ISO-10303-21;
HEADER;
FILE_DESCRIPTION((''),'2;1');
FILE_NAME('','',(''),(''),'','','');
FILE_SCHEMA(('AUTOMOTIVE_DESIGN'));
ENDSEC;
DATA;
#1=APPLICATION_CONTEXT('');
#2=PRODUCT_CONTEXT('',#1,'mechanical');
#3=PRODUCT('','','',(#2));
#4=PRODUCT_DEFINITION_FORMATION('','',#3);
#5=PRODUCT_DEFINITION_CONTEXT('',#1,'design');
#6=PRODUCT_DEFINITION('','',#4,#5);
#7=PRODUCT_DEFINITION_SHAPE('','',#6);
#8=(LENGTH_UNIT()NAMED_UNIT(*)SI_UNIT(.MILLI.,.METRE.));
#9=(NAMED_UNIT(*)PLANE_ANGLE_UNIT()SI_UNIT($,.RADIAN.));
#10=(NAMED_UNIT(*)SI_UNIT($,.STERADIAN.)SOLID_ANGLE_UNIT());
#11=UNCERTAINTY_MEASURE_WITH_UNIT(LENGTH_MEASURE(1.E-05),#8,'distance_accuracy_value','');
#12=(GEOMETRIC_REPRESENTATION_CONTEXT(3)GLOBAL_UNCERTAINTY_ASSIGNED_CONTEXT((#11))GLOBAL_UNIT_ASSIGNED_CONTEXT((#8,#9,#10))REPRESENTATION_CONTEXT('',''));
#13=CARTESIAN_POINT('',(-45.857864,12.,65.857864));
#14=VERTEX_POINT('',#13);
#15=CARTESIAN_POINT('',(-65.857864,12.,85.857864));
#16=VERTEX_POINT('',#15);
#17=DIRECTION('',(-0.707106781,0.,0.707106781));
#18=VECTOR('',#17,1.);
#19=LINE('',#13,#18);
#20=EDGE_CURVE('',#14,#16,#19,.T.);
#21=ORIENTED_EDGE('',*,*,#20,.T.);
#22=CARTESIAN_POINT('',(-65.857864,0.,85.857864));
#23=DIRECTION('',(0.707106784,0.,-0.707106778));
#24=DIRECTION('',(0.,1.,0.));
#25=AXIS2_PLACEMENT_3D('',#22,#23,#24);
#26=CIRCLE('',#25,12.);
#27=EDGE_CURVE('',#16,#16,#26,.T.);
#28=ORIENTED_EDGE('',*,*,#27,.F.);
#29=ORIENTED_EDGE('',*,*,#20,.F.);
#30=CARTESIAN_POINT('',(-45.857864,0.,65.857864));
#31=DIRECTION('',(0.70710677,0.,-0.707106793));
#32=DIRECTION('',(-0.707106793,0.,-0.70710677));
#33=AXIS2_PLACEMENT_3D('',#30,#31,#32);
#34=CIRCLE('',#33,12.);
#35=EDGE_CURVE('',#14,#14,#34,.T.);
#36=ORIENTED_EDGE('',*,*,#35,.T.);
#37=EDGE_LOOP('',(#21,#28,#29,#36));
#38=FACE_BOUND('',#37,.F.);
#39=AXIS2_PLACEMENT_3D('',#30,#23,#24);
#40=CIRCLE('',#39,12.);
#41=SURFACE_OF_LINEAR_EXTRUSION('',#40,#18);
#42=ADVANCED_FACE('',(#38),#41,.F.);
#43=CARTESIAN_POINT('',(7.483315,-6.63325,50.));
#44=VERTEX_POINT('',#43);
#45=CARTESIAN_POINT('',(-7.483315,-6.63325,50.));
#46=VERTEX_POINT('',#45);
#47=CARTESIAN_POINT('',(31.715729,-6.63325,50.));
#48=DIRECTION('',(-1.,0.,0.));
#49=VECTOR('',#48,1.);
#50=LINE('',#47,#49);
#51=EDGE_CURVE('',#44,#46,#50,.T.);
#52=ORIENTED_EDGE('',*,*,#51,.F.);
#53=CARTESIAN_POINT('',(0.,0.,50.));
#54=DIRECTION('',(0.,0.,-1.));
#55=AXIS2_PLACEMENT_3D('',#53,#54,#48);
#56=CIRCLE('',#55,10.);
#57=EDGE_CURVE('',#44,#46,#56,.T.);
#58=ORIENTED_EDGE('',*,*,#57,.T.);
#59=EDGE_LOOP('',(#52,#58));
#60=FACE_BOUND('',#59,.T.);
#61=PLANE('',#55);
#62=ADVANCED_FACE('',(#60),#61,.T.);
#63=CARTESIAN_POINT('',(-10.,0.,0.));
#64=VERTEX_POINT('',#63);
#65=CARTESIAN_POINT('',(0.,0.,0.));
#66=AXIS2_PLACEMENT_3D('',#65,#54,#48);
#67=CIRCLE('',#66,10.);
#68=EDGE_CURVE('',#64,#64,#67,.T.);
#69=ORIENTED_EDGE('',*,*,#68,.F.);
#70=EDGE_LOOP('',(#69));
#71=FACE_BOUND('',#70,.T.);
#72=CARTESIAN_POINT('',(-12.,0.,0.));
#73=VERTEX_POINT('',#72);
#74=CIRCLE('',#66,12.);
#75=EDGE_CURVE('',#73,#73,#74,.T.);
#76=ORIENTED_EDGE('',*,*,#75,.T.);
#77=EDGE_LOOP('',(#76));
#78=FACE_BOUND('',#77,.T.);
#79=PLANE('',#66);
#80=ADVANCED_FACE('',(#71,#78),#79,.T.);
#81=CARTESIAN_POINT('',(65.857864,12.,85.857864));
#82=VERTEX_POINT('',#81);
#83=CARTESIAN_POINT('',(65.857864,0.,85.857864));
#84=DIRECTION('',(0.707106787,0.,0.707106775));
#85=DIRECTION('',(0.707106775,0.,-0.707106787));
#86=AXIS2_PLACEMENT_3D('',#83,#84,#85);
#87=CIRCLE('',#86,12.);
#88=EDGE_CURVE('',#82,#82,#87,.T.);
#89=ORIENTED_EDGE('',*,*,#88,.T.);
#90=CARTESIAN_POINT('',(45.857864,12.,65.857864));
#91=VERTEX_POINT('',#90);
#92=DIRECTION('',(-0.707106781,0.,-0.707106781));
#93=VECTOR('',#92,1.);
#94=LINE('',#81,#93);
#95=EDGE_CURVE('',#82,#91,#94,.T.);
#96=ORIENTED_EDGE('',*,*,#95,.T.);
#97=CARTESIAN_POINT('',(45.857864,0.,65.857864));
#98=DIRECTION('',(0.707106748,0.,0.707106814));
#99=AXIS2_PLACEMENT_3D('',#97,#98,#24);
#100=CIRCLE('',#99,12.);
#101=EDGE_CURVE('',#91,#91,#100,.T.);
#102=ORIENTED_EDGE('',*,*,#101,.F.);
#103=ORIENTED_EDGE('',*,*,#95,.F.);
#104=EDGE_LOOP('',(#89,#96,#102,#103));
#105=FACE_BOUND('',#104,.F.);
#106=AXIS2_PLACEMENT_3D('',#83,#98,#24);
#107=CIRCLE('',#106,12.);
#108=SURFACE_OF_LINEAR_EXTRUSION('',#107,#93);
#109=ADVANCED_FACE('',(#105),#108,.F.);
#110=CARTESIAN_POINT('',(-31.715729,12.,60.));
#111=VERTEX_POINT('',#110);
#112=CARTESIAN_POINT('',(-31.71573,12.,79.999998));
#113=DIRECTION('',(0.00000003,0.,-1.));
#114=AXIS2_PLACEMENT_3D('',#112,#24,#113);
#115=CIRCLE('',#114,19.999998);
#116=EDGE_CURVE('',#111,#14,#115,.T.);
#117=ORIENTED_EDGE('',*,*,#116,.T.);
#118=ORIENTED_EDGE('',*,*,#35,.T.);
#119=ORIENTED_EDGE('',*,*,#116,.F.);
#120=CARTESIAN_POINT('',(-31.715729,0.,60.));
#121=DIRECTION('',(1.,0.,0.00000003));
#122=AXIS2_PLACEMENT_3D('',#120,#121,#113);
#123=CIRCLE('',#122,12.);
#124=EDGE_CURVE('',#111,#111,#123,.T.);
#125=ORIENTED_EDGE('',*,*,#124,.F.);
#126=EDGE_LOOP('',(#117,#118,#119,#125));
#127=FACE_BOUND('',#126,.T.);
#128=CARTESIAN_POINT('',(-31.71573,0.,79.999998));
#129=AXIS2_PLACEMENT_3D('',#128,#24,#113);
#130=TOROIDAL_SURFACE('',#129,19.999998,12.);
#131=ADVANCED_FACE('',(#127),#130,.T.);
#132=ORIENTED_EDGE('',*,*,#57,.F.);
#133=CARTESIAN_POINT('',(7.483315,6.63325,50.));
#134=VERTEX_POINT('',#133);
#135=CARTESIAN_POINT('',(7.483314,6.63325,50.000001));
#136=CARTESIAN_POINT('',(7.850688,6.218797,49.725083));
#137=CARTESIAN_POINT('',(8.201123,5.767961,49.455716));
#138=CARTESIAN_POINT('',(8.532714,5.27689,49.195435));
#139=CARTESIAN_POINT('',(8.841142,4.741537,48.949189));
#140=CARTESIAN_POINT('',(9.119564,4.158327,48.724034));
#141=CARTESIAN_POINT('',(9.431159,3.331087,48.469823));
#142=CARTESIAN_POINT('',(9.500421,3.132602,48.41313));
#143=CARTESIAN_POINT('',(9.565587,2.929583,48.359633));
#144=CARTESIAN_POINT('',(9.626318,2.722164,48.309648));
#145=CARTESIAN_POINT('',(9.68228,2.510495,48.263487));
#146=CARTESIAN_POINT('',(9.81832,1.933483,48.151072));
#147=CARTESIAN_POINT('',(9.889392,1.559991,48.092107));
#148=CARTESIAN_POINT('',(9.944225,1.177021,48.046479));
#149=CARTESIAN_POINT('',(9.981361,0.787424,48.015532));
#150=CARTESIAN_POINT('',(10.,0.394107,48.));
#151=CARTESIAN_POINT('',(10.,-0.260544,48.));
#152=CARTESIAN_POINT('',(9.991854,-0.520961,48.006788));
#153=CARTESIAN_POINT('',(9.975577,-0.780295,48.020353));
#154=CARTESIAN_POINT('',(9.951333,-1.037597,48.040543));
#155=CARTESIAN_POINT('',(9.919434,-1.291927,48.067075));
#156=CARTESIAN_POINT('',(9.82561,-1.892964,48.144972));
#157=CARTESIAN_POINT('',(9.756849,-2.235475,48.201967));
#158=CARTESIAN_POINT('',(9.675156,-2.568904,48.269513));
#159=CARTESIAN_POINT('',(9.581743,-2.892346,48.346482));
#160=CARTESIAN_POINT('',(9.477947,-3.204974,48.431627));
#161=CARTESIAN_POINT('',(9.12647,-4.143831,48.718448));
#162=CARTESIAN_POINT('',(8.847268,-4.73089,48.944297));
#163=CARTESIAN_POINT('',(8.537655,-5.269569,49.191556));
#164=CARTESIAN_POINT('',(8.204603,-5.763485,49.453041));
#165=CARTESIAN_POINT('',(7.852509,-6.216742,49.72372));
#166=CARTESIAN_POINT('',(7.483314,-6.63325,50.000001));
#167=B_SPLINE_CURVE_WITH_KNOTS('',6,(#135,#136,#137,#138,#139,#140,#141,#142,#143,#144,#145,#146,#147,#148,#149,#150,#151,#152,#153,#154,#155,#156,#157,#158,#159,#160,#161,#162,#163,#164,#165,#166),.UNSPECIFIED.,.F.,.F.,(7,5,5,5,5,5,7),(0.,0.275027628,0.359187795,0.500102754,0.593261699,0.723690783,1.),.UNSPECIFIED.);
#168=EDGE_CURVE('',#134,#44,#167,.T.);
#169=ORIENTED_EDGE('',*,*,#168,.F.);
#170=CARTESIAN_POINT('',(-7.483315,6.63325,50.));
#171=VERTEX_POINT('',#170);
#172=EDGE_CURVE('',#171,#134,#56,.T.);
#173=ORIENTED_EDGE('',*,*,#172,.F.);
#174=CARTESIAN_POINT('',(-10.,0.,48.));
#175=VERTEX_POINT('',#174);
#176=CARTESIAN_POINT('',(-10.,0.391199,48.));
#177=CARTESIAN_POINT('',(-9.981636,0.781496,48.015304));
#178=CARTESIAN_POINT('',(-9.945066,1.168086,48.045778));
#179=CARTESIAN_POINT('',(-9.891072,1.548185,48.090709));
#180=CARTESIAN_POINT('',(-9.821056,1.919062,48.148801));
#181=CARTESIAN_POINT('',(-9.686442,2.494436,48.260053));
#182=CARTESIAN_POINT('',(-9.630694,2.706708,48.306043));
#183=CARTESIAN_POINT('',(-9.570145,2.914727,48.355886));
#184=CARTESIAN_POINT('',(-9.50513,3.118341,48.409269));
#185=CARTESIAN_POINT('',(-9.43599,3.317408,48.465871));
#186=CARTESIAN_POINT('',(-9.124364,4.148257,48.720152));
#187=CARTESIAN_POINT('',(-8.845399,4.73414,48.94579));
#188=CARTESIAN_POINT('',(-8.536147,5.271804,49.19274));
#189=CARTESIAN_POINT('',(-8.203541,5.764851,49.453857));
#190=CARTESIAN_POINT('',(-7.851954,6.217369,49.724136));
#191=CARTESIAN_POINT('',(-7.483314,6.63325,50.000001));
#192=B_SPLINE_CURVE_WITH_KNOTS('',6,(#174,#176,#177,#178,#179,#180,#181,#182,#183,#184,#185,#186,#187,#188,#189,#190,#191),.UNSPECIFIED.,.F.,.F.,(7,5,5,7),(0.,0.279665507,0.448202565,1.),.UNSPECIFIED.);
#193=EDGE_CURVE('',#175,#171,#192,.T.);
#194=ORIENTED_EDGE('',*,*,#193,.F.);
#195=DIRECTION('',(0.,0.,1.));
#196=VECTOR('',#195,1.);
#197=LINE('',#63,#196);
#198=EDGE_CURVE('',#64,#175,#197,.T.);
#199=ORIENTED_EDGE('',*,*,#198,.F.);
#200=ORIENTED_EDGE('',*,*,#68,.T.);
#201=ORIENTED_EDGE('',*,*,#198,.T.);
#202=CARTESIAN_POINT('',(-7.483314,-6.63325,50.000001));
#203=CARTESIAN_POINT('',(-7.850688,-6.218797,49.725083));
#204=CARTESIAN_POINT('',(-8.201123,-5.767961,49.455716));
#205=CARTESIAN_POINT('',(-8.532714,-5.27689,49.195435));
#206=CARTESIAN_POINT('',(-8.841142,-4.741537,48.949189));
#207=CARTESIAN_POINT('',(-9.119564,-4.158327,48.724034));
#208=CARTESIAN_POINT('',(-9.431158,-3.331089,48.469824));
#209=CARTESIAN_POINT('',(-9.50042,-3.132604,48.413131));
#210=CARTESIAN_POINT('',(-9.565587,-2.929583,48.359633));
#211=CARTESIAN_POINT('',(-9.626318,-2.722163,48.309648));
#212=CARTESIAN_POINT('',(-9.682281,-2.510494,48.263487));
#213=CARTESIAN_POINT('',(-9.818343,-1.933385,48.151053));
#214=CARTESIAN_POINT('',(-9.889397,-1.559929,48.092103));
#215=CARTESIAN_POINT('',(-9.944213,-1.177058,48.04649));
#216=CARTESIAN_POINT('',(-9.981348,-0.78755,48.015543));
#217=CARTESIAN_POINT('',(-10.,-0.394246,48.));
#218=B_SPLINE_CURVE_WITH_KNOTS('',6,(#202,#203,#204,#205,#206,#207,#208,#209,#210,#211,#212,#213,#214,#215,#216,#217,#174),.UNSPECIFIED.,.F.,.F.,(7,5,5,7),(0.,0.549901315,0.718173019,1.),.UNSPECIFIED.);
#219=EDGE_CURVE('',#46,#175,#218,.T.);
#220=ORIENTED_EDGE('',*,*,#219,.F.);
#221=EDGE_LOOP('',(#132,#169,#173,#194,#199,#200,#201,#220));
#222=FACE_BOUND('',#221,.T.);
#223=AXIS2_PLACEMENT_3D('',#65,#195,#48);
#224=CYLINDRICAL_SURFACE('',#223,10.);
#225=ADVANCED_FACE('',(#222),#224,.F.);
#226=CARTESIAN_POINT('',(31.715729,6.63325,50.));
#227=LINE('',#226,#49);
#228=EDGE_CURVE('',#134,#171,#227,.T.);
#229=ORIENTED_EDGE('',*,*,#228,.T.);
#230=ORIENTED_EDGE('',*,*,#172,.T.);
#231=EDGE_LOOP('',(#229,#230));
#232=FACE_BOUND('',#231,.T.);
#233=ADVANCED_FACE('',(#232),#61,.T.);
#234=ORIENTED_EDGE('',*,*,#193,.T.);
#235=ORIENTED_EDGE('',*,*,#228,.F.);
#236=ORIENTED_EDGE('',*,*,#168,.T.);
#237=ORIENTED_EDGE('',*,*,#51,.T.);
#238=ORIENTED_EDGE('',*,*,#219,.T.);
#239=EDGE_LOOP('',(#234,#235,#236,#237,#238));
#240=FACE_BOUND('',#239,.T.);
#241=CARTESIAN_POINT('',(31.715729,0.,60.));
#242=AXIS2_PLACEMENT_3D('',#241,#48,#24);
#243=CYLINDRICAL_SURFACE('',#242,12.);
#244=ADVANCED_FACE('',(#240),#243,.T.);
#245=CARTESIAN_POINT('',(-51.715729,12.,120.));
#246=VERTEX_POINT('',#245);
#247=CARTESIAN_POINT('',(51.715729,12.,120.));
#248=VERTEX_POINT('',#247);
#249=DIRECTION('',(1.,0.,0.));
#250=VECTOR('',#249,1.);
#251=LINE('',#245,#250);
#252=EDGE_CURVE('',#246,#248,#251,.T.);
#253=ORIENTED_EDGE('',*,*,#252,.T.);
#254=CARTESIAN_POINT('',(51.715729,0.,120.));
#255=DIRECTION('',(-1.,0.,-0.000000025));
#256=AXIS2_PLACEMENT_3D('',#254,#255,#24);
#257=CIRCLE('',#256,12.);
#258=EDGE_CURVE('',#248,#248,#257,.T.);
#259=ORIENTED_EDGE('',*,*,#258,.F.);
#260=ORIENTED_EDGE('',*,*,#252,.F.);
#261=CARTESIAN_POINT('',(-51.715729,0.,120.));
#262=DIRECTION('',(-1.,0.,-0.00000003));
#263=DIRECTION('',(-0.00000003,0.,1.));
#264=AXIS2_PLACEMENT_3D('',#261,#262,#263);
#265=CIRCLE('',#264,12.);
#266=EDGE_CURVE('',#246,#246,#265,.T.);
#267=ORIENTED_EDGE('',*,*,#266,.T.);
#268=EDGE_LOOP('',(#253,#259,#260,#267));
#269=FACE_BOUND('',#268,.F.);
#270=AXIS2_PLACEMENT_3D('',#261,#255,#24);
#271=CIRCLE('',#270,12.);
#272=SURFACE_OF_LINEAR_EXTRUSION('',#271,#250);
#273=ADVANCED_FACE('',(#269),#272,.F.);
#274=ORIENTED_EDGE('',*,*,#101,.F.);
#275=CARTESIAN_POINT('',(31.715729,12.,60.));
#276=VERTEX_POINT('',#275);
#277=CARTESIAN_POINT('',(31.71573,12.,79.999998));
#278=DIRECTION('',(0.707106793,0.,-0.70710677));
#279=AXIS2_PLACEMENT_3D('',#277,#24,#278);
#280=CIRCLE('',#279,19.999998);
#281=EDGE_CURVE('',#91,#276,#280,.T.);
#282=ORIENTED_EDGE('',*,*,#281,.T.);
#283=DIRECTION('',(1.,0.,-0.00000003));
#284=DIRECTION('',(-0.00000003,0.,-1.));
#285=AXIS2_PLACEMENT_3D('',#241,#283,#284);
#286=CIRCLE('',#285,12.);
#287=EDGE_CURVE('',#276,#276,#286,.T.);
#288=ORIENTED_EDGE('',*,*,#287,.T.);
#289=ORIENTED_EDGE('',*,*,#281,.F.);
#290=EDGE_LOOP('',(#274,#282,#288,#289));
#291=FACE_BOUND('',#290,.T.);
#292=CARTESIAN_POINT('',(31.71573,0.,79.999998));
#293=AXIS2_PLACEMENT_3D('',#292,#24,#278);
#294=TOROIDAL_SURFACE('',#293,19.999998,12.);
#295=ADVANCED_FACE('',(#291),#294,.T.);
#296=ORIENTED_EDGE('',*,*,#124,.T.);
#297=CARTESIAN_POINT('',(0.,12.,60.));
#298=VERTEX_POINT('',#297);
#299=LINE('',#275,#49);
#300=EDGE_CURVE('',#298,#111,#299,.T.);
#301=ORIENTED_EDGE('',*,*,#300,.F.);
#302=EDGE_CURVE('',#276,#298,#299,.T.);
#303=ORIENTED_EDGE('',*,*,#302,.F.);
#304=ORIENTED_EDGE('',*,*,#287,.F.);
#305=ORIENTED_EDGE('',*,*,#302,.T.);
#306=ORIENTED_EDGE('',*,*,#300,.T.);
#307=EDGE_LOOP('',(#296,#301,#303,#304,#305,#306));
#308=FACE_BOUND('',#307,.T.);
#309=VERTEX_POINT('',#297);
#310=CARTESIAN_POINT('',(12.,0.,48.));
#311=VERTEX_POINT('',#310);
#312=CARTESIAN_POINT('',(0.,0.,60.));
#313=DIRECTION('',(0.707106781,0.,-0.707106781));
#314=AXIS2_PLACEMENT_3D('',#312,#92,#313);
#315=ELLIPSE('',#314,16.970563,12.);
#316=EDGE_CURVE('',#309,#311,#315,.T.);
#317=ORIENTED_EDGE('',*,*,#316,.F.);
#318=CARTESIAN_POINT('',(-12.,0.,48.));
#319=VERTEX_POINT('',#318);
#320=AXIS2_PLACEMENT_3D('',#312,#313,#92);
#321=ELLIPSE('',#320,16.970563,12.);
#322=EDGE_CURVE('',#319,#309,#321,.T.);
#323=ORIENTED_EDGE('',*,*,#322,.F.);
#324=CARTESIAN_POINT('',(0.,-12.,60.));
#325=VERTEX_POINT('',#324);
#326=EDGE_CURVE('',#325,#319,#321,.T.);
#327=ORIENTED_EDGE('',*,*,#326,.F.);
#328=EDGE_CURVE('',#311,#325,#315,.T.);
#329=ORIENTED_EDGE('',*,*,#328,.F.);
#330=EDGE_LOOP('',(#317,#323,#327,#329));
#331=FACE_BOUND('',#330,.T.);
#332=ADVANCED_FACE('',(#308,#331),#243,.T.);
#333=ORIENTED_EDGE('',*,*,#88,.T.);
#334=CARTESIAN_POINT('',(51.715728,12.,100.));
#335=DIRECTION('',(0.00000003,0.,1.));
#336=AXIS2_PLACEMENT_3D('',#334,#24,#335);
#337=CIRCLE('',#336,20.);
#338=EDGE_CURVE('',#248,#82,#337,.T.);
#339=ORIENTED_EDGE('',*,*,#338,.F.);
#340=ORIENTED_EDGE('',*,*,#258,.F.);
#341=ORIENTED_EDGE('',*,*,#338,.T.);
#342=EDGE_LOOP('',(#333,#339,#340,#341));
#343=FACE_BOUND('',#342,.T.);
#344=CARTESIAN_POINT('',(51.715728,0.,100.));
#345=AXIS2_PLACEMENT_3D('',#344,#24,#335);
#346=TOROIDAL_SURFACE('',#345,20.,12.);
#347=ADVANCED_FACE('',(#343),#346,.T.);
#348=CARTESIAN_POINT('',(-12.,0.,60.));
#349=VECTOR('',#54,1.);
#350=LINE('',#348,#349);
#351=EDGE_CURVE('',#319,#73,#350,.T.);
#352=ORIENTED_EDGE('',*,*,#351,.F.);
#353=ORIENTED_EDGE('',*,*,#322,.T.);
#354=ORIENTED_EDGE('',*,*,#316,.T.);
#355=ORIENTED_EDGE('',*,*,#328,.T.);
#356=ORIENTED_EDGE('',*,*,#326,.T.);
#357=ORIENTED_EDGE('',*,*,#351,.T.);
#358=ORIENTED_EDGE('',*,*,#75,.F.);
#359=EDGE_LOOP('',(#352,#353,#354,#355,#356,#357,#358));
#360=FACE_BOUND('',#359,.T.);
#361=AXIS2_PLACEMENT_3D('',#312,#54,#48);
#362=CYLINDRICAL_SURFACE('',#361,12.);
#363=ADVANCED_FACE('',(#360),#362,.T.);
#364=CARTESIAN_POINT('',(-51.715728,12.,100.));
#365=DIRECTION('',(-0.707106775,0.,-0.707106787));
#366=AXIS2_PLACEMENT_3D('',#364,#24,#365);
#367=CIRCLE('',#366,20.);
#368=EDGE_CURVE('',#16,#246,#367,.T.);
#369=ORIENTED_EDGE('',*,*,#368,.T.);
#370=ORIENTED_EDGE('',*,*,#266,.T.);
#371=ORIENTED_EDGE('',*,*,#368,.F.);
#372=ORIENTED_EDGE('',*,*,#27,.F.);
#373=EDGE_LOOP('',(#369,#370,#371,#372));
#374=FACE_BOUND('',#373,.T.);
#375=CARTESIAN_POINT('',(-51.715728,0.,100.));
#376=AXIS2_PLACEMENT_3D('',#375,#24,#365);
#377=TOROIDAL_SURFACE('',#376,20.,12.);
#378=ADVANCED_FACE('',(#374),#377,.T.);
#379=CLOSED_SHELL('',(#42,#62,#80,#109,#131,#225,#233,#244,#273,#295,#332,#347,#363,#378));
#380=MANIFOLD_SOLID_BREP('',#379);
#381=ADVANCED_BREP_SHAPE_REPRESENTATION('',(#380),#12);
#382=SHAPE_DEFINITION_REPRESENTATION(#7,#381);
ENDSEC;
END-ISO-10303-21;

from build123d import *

# Parameters (mm, degrees)
F3_R = 12


with BuildPart() as f1:
    # F0 (on Front) → F1 (revolve)
    with BuildSketch(Plane.XZ):
        Polygon((-12, 0), (-10, 0), (-10, 50), (0, 50), (0, 60), (-12, 60), align=None)
    revolve(axis=Axis((0, 0, 25), (0, 0, -1)))

    # F4: sweep along a path in F2
    with BuildLine(Plane.XZ) as f4_path:
        Line((0, 60), (-31.715729, 60))
        ThreePointArc((-31.715729, 60), (-39.369397, 61.522409), (-45.857864, 65.857864))
        Line((-45.857864, 65.857864), (-65.857864, 85.857864))
        ThreePointArc((-65.857864, 85.857864), (-70.193319, 107.653669), (-51.715729, 120))
        Line((-51.715729, 120), (51.715729, 120))
        ThreePointArc((51.715729, 120), (70.193319, 107.653669), (65.857864, 85.857864))
        Line((65.857864, 85.857864), (45.857864, 65.857864))
        ThreePointArc((45.857864, 65.857864), (39.369397, 61.522409), (31.715729, 60))
        Line((31.715729, 60), (0, 60))
    # F3 (on Right) → F4 (sweep)
    with BuildSketch(Plane.YZ):
        with Locations((0, 60)):
            Circle(F3_R)
    sweep(path=f4_path.line)


solid = f1.part
